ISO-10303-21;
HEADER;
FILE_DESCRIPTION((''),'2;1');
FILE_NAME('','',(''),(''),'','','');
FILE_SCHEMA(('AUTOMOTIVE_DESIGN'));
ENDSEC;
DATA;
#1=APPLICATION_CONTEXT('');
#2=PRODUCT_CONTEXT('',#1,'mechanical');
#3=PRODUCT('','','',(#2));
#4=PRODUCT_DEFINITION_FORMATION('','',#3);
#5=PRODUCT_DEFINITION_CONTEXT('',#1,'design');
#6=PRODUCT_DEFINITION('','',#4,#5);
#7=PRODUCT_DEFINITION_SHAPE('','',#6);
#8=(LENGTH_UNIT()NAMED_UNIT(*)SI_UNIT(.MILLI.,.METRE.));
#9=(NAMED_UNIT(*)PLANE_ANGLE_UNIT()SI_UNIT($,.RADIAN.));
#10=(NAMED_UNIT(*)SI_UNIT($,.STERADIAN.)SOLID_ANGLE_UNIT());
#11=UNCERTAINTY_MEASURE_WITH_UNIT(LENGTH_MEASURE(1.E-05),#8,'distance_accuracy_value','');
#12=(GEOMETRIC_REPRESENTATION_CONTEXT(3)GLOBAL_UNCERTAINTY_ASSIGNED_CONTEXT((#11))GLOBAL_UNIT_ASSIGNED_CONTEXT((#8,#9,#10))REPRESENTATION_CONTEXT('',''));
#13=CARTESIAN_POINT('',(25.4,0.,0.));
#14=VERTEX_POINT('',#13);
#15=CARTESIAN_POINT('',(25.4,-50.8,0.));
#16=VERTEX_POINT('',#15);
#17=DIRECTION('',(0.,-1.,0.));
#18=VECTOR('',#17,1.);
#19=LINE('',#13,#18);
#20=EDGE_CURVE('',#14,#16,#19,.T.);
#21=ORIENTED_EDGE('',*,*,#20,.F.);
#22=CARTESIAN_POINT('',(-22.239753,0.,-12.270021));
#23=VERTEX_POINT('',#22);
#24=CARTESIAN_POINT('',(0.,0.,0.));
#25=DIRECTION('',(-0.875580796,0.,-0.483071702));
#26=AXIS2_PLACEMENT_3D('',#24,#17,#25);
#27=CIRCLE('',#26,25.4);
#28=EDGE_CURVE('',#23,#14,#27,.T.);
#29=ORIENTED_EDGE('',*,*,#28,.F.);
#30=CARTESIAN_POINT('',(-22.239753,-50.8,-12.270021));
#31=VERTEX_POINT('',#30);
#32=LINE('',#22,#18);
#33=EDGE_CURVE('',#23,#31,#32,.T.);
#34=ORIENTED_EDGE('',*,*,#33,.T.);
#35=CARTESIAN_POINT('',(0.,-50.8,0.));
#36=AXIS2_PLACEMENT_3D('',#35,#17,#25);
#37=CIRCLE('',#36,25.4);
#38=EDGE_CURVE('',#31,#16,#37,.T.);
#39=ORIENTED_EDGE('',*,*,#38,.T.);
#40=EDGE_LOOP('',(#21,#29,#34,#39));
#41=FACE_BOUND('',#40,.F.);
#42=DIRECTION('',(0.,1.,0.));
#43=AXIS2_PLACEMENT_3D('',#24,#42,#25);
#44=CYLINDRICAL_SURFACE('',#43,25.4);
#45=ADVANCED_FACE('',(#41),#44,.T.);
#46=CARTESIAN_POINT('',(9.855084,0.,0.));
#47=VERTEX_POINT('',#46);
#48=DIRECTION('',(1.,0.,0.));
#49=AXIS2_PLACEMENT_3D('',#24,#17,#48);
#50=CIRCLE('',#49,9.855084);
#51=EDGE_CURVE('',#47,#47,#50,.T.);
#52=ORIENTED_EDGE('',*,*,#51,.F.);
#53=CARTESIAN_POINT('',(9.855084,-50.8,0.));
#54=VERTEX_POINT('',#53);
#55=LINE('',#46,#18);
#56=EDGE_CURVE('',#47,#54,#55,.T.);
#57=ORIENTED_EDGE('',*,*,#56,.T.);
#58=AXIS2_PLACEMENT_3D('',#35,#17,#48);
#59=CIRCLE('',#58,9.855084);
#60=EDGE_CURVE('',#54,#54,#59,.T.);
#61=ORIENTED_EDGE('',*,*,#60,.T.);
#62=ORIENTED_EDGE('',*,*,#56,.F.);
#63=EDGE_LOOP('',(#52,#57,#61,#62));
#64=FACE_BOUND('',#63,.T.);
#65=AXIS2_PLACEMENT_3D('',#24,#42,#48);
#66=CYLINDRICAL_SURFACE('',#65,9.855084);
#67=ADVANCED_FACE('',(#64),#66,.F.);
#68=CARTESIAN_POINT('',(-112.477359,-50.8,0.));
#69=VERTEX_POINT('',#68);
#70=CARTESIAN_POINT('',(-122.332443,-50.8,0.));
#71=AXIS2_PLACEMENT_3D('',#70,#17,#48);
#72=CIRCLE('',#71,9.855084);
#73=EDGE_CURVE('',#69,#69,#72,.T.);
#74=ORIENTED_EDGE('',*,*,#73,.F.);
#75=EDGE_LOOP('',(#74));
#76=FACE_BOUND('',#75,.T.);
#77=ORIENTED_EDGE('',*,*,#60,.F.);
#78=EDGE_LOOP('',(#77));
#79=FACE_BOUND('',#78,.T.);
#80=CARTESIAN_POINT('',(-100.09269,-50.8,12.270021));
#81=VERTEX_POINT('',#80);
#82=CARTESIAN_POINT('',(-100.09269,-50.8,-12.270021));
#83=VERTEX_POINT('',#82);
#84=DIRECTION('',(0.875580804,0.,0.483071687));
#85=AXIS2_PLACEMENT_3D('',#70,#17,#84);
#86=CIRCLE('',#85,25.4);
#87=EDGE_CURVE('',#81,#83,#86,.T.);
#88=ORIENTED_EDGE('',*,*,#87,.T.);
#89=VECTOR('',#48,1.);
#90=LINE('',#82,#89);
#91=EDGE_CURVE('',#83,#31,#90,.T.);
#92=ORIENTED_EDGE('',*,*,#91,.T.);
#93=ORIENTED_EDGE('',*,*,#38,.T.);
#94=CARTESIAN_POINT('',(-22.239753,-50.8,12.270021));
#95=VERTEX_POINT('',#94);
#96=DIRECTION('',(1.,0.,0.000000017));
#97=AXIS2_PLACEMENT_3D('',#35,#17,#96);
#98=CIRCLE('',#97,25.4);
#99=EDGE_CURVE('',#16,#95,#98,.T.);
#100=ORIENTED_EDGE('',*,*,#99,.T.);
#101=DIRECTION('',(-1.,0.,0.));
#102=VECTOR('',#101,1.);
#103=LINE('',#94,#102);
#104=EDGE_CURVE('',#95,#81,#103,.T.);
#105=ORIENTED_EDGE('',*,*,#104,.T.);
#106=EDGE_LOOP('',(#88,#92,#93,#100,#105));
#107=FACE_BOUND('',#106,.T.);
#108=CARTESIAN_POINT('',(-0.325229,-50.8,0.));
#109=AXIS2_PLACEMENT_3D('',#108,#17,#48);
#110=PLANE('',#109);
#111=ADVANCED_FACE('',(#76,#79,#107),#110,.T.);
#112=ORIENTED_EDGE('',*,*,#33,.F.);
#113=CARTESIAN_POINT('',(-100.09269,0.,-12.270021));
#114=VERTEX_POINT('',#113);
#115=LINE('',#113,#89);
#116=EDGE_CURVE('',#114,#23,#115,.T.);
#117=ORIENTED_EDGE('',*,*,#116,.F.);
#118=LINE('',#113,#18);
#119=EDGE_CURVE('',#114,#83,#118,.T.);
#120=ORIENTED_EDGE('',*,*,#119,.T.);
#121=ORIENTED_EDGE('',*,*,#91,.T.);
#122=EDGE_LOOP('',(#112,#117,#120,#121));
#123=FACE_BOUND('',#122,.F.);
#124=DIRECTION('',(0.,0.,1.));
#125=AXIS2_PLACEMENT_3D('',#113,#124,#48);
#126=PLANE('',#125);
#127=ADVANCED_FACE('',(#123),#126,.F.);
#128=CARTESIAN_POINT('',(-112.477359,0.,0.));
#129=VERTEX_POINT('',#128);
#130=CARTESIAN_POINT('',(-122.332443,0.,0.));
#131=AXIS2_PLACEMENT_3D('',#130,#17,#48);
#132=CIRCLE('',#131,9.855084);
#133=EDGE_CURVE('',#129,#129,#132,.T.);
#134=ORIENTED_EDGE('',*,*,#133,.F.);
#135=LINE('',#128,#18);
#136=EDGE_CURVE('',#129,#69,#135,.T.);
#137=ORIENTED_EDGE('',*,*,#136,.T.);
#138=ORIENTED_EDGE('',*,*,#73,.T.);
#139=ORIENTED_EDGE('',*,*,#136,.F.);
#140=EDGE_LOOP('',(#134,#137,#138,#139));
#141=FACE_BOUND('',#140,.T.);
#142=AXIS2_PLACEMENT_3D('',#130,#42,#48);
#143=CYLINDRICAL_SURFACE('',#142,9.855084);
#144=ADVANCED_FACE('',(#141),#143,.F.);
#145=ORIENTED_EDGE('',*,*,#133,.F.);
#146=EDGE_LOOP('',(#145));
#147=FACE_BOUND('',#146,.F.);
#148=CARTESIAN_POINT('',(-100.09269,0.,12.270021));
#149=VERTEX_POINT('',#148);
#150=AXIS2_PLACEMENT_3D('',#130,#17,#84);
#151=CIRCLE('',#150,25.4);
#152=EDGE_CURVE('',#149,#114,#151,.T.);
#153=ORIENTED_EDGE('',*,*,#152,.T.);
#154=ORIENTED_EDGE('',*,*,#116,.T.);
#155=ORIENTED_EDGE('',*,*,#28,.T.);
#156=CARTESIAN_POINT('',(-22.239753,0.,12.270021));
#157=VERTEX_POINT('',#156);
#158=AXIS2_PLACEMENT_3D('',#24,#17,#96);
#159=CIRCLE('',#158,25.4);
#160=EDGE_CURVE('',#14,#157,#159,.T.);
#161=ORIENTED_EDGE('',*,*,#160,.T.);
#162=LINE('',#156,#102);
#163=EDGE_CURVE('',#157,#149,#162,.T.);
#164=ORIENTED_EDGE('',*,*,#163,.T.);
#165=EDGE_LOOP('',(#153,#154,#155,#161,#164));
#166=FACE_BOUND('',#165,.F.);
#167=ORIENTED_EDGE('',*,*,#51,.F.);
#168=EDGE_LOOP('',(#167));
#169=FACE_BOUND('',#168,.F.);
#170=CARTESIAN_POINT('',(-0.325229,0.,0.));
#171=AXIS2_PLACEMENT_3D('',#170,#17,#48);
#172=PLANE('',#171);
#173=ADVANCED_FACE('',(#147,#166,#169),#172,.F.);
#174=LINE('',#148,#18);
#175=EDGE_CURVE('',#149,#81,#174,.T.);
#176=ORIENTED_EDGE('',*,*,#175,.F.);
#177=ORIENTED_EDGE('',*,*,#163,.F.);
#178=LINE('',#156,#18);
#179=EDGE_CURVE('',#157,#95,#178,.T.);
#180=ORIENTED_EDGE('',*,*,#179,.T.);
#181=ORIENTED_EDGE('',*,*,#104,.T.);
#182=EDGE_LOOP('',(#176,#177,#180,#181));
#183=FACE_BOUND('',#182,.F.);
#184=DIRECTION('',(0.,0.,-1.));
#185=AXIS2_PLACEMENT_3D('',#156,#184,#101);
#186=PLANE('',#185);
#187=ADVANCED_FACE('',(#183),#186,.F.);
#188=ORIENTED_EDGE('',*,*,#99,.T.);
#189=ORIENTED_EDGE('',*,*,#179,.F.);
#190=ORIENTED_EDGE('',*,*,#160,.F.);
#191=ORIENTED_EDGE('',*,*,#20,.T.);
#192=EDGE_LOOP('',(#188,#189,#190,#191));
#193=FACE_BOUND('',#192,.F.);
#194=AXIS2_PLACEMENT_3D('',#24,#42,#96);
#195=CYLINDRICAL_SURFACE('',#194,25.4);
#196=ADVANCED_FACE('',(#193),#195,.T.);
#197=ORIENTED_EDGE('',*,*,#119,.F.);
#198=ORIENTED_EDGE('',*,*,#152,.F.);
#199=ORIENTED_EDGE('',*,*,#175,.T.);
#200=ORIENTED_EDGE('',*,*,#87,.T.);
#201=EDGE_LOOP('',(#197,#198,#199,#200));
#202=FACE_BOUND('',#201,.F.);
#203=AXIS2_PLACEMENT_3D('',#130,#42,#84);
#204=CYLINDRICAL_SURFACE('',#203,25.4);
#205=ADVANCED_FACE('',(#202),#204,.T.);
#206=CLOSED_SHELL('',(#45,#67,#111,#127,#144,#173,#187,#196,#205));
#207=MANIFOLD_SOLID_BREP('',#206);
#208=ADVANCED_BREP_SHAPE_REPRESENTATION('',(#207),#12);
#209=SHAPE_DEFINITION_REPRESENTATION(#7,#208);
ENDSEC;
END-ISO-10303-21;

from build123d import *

# Parameters (mm, degrees)
F0_R     = 9.855084
F1_DEPTH = 50.8


with BuildPart() as f1:
    # F0 (on Front) → F1 (new body)
    with BuildSketch(Plane.XZ):
        with BuildLine():
            ThreePointArc((-22.239753, -12.270021), (6.33523, -24.597253), (25.4, 0))
            ThreePointArc((25.4, 0), (6.33523, 24.597253), (-22.239753, 12.270021))
            ThreePointArc((-22.239753, 12.270021), (-25.4, 0), (-22.239753, -12.270021))
        make_face()
        Circle(F0_R, mode=Mode.SUBTRACT)
        with BuildLine():
            ThreePointArc((-96.932443, 0), (-97.73519, 6.33523), (-100.09269, 12.270021))
            ThreePointArc((-100.09269, 12.270021), (-147.732443, 0), (-100.09269, -12.270021))
            ThreePointArc((-100.09269, -12.270021), (-97.73519, -6.33523), (-96.932443, 0))
        make_face()
        with Locations((-122.332443, 0)):
            Circle(F0_R, mode=Mode.SUBTRACT)
        with BuildLine():
            ThreePointArc((-22.239753, -12.270021), (-25.4, 0), (-22.239753, 12.270021))
            Line((-22.239753, 12.270021), (-100.09269, 12.270021))
            ThreePointArc((-100.09269, 12.270021), (-97.73519, 6.33523), (-96.932443, 0))
            ThreePointArc((-96.932443, 0), (-97.73519, -6.33523), (-100.09269, -12.270021))
            Line((-100.09269, -12.270021), (-22.239753, -12.270021))
        make_face()
    extrude(amount=F1_DEPTH)


solid = f1.part
